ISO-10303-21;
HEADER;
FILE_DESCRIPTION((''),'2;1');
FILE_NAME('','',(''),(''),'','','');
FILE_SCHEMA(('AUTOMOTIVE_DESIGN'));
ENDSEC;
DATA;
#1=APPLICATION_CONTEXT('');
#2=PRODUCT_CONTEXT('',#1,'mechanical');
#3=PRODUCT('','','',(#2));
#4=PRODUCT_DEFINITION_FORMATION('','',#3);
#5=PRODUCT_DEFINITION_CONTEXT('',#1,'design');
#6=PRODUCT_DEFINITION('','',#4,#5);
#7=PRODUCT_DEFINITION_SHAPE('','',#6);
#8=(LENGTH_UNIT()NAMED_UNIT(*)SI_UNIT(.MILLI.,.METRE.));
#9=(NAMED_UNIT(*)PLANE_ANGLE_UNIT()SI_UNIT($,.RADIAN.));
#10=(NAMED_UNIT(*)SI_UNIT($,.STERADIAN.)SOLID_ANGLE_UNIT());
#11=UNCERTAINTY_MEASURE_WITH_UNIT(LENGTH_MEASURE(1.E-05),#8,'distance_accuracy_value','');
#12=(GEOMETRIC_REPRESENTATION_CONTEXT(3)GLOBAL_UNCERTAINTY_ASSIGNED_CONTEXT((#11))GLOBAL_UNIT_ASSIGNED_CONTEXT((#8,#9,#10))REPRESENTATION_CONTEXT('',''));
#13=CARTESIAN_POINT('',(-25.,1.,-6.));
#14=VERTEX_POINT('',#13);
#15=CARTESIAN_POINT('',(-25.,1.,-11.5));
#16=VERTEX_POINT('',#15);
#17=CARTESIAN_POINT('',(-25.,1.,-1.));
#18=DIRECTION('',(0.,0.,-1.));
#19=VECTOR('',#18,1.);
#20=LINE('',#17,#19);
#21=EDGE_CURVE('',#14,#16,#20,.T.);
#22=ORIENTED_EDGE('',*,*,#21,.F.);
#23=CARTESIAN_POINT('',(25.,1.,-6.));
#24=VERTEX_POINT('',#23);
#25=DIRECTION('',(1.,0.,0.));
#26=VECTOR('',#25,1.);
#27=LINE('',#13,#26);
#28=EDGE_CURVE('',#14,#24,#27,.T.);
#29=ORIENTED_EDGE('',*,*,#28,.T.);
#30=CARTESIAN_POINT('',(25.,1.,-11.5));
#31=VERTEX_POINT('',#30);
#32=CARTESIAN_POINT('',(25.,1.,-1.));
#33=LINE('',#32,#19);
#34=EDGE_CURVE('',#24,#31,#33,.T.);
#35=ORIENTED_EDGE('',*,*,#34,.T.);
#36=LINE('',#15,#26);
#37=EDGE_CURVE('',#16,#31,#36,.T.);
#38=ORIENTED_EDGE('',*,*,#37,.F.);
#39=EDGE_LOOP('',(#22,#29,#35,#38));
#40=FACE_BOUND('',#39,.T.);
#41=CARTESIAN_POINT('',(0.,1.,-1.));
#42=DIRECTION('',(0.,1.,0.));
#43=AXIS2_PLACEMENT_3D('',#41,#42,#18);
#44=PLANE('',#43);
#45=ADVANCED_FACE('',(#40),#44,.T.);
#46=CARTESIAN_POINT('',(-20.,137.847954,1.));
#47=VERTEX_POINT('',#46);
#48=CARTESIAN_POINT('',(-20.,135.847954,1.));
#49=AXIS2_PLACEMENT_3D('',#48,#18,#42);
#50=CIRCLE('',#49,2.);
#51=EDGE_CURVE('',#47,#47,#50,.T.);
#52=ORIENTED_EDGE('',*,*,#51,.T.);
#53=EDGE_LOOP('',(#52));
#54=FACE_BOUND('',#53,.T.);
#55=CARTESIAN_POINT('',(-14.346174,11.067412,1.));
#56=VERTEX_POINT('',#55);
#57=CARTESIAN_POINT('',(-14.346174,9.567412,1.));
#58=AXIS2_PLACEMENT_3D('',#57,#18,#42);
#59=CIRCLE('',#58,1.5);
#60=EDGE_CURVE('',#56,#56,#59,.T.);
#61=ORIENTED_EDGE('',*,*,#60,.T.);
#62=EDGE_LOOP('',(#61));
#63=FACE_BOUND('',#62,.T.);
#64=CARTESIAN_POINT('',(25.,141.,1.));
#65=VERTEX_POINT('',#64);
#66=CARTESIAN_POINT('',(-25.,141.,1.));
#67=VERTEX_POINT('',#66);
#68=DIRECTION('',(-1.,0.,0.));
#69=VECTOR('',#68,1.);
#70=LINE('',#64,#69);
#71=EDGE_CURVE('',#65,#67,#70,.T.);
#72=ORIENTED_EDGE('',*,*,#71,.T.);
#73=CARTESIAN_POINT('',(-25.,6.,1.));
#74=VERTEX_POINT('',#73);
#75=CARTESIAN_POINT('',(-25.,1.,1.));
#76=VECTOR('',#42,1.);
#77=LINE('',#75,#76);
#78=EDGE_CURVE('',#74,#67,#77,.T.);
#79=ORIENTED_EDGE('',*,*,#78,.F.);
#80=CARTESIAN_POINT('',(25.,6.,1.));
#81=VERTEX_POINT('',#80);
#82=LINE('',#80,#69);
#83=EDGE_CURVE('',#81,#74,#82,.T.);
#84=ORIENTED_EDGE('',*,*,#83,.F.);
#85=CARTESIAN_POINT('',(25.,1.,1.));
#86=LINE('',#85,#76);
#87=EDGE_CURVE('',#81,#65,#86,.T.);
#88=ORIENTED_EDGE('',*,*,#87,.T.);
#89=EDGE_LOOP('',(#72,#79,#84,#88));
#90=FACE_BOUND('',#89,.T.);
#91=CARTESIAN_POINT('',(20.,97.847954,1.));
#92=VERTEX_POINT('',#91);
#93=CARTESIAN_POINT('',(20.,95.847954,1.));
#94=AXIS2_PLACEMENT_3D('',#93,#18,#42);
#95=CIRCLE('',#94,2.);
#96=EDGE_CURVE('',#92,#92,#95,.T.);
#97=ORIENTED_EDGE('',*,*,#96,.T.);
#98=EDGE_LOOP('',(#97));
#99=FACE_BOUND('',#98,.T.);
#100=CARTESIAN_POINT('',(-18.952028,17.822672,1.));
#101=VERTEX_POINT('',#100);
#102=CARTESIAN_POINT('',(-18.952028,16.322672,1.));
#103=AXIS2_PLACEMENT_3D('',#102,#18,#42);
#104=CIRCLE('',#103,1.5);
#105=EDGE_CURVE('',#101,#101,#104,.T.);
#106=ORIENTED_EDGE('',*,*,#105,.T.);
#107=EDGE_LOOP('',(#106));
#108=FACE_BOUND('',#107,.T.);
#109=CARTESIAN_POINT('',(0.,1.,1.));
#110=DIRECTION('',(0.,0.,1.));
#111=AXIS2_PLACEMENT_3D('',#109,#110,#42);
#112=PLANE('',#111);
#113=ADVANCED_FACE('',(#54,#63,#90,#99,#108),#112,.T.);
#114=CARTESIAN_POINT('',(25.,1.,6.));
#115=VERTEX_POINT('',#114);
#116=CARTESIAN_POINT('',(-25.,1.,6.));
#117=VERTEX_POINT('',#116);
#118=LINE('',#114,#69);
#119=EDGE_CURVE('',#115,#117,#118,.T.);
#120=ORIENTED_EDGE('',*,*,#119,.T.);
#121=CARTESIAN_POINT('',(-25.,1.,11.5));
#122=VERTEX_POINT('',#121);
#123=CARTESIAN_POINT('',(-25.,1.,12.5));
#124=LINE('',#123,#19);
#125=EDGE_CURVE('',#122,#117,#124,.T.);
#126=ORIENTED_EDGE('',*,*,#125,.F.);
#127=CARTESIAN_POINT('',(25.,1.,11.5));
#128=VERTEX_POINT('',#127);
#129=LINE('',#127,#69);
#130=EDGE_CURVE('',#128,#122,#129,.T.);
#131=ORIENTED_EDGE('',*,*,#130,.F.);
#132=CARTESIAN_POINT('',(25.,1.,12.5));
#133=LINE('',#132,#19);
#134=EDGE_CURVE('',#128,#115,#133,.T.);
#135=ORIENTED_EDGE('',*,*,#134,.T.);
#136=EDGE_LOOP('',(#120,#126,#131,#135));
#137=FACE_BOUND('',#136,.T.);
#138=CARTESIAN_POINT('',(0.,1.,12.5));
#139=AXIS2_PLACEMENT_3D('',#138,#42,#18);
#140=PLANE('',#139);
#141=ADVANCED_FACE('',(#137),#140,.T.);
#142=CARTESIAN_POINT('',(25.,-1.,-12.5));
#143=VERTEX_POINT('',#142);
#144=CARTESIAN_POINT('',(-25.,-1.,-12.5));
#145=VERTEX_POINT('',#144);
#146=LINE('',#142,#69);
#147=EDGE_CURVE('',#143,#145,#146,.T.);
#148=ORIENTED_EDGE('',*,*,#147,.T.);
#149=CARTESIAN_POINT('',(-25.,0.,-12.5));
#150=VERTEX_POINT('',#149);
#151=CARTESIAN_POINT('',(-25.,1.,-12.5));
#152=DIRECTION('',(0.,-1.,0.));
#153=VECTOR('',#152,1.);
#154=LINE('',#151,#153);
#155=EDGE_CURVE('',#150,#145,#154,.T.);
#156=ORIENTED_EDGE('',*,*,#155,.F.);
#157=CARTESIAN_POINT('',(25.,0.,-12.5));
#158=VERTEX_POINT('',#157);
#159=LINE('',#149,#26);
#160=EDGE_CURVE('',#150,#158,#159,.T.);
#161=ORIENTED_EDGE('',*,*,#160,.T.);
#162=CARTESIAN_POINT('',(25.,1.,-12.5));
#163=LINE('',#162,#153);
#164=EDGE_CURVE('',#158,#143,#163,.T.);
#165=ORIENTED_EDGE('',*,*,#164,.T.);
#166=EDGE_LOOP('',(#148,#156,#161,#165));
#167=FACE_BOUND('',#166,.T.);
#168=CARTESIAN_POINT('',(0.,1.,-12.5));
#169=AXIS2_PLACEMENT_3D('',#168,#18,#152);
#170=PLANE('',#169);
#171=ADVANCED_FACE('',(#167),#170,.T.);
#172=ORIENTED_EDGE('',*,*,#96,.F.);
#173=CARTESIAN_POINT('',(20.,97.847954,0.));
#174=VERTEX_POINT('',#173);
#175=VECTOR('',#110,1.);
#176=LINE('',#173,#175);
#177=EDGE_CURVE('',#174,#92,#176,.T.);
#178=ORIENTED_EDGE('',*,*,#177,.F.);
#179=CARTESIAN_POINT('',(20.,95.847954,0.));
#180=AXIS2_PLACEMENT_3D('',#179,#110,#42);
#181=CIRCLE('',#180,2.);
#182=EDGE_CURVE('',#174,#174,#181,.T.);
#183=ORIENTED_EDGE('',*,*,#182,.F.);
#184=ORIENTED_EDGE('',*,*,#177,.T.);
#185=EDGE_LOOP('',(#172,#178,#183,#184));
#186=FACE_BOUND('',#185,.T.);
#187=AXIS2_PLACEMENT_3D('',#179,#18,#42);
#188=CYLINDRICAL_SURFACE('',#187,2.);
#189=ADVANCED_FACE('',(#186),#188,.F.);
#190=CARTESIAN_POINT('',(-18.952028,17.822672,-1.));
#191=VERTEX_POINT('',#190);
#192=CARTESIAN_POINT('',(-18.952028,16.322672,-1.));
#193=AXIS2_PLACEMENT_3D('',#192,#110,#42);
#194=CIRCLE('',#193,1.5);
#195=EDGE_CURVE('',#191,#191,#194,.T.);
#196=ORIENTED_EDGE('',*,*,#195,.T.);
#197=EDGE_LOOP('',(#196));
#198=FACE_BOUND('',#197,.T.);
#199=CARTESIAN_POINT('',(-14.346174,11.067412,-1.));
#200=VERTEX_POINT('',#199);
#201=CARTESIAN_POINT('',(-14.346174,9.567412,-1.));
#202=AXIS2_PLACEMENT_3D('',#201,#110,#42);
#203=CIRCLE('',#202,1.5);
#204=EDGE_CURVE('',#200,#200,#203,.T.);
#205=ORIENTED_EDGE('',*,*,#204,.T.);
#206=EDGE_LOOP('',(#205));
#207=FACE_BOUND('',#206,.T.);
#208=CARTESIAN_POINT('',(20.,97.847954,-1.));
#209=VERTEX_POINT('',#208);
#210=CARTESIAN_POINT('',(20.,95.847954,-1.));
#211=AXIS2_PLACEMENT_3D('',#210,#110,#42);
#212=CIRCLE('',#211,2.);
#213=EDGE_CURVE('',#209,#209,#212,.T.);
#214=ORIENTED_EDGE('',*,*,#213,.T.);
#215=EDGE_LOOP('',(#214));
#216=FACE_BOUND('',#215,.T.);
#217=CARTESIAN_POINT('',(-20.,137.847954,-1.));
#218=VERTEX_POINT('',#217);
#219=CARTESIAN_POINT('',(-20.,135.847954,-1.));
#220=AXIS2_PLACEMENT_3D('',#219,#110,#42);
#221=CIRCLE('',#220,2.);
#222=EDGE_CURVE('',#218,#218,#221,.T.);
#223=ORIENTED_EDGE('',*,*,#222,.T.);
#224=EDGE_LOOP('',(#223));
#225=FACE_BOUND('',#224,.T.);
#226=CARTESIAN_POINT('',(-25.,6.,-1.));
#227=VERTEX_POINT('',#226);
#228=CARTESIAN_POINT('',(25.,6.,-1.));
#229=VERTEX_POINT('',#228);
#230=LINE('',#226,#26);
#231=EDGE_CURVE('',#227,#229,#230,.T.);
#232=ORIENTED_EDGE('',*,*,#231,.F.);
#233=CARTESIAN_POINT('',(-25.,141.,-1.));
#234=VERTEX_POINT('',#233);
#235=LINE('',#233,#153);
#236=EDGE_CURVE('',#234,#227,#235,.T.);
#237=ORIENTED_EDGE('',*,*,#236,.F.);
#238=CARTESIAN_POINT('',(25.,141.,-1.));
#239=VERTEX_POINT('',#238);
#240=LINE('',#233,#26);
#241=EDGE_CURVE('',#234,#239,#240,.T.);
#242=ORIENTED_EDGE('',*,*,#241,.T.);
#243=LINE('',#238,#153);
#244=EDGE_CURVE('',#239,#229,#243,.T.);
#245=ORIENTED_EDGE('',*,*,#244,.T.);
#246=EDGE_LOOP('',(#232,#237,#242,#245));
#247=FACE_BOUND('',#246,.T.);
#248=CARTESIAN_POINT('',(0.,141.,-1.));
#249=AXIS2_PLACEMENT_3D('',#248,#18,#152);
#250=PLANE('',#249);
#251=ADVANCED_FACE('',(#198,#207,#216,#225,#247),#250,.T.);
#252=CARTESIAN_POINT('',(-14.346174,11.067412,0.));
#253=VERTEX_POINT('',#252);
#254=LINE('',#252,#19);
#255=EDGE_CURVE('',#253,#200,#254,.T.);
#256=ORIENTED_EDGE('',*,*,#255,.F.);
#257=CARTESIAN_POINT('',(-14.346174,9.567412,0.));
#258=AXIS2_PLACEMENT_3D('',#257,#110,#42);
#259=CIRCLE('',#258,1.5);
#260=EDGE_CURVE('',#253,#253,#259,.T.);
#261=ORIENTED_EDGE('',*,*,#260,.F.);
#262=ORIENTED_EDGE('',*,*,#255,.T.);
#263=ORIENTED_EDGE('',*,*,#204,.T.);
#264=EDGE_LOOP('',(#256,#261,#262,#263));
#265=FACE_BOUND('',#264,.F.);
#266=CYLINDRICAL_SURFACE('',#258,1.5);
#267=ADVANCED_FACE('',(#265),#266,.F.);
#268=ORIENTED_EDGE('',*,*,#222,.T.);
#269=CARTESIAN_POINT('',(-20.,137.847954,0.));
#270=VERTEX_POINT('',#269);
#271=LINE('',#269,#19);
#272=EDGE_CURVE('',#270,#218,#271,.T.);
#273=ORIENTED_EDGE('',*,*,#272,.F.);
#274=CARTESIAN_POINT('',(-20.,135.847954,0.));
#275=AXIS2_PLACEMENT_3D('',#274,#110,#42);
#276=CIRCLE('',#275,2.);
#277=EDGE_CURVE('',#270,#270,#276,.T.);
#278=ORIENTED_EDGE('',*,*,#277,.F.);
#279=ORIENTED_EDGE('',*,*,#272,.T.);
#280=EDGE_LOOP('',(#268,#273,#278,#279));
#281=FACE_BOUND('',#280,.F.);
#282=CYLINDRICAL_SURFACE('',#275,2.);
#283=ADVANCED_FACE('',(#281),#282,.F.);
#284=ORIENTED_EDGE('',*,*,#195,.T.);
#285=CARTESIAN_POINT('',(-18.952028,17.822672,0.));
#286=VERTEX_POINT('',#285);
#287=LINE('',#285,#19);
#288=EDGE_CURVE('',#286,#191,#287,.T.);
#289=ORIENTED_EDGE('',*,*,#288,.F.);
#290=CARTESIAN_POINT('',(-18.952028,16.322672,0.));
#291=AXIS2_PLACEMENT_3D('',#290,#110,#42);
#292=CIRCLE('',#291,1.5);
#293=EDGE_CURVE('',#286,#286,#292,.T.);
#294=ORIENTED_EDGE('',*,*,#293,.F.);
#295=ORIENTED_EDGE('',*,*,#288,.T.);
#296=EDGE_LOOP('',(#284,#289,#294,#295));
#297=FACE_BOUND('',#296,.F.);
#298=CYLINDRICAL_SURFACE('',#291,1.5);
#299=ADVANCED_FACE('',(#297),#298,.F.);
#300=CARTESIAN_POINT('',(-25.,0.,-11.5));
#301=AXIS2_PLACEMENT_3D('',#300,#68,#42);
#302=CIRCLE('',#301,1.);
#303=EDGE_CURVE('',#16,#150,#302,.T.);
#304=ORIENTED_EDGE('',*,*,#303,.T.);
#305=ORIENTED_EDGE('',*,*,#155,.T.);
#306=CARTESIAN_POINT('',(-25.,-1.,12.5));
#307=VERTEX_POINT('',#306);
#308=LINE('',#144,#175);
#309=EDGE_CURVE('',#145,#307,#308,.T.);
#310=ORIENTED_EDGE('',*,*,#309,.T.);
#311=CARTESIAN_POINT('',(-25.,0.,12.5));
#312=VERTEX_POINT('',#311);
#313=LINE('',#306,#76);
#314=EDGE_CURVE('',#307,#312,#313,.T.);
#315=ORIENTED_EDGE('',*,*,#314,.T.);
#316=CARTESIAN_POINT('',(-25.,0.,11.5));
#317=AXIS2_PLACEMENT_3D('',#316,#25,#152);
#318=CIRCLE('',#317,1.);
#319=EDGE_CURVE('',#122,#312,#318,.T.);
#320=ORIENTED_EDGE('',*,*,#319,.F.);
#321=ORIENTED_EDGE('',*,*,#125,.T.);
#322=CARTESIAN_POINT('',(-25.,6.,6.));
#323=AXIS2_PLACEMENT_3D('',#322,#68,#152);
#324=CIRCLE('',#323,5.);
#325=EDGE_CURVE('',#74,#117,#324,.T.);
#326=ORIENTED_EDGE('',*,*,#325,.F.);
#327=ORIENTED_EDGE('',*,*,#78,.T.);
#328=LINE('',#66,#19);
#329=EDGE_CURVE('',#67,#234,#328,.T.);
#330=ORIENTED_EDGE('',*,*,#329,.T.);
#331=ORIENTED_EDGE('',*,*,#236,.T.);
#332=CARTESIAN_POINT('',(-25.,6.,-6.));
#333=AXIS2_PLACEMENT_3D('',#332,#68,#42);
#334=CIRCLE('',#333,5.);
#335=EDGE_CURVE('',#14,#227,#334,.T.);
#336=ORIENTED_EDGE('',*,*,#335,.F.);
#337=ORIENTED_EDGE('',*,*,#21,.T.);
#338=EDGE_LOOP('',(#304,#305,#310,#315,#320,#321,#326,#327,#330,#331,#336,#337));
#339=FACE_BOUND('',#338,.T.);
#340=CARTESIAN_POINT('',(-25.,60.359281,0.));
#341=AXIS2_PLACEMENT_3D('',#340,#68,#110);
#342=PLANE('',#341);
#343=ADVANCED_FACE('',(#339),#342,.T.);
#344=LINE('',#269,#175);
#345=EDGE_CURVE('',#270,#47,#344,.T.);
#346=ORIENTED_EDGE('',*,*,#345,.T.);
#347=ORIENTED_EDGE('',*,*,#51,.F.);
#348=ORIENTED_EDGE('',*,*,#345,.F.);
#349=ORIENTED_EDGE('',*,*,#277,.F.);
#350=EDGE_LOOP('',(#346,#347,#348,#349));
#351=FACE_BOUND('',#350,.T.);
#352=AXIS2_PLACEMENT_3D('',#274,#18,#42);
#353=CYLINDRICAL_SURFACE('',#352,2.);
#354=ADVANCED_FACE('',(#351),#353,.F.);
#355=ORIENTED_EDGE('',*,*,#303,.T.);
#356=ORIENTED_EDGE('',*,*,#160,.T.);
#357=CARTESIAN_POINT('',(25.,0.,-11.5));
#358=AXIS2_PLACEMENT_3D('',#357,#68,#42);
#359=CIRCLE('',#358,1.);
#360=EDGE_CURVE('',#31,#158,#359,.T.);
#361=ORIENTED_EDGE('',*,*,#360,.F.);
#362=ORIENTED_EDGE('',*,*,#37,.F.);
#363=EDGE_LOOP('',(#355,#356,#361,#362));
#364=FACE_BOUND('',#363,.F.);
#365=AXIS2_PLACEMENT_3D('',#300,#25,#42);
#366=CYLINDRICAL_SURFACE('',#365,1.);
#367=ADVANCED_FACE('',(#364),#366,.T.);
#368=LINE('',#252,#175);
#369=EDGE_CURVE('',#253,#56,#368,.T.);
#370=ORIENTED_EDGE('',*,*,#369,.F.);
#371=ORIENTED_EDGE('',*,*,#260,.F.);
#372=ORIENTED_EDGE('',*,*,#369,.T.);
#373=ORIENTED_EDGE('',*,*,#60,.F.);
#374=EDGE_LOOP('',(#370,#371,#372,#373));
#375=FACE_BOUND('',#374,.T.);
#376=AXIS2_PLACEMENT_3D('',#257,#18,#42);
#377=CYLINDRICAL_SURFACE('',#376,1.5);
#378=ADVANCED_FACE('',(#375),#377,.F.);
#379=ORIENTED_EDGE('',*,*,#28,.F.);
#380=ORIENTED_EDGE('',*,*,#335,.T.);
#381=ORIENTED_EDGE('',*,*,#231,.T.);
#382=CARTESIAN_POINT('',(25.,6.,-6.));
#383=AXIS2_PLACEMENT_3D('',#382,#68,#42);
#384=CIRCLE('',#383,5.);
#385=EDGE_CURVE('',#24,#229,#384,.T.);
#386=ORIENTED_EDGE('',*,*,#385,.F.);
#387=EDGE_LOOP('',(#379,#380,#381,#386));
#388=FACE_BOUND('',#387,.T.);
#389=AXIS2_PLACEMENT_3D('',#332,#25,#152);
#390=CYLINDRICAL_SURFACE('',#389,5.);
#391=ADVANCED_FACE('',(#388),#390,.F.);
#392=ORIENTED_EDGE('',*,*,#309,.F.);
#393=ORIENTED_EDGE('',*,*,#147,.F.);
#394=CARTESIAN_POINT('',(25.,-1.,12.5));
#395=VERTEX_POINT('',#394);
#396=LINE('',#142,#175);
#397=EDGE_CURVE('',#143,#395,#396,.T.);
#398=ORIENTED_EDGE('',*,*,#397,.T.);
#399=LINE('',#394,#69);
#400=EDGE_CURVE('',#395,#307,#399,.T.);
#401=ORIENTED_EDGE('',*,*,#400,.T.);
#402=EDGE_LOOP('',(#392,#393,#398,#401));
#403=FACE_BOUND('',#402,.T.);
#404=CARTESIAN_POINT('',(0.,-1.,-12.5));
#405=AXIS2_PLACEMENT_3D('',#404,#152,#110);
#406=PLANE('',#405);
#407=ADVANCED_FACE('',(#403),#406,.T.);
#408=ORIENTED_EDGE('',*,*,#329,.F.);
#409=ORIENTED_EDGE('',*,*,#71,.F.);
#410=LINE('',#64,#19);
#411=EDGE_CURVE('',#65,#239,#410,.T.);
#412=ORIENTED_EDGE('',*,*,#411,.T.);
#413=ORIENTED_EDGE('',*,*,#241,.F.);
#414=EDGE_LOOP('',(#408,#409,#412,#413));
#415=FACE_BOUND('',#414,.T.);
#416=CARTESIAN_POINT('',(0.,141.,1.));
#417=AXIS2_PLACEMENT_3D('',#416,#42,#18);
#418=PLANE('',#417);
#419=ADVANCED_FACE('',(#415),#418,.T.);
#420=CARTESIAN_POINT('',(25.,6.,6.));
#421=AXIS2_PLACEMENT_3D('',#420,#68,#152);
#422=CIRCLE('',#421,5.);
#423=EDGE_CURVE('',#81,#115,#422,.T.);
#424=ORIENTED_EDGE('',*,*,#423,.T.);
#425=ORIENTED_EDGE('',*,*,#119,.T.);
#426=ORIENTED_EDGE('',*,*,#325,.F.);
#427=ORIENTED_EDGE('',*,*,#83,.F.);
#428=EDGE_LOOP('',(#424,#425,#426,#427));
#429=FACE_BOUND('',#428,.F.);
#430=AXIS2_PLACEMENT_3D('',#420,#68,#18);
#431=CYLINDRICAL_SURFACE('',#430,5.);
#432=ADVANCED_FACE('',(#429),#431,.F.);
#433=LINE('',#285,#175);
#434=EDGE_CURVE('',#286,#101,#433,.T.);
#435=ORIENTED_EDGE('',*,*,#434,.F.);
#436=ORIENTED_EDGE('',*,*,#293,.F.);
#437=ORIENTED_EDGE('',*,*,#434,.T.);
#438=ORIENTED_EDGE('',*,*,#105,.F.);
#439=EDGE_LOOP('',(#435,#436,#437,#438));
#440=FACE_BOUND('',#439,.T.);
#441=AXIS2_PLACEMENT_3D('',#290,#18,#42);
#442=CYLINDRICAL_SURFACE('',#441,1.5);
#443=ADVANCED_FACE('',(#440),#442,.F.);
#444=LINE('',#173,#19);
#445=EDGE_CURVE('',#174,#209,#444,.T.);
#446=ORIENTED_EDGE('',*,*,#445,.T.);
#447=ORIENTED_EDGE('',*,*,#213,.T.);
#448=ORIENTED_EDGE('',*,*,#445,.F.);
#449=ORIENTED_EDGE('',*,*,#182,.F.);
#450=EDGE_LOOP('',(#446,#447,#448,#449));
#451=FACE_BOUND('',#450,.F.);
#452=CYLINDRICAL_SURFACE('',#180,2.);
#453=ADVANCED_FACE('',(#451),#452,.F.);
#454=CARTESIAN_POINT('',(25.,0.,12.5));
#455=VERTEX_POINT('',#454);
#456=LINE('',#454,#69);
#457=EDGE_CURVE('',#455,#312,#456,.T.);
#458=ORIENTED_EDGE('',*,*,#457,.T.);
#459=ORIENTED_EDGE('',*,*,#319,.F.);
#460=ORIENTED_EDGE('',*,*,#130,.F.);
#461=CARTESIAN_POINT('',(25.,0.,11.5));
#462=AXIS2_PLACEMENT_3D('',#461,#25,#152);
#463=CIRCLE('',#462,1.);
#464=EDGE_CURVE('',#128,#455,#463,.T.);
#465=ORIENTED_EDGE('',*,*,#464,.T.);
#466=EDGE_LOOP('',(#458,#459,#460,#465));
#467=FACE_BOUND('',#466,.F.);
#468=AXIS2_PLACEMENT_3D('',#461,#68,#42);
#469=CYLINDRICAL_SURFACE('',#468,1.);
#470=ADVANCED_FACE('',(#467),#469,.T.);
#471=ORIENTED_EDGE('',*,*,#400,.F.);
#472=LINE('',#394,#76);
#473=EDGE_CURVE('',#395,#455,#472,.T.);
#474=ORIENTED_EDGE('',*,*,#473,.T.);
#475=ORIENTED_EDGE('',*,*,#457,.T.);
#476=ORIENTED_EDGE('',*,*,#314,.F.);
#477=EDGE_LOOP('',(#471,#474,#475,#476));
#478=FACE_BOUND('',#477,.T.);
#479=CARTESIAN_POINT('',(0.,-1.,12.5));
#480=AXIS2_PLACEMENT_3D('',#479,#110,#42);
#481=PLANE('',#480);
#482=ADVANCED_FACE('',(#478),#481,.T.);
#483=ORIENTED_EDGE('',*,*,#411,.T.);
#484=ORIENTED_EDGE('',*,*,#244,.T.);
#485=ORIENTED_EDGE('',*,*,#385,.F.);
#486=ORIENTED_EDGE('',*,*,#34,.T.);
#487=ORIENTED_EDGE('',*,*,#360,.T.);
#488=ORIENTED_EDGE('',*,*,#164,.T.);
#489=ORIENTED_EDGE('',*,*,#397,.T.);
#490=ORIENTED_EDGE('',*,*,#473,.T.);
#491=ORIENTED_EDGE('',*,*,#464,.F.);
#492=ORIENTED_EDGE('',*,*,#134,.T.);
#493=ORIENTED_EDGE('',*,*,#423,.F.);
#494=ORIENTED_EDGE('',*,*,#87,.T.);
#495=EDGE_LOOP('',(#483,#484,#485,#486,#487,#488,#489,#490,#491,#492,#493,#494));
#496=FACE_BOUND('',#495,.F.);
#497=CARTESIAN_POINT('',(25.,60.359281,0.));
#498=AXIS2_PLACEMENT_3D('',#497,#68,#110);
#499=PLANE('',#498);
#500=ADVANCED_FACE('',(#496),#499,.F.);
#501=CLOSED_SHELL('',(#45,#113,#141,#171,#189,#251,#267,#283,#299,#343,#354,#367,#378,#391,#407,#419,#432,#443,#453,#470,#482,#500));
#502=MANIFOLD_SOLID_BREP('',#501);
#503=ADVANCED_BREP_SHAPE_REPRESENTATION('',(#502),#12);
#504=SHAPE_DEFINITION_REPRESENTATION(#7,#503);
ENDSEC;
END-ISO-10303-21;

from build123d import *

# Parameters (mm, degrees)
PAD_DEPTH            = 25
FILLET_R             = 5
SKETCH001_R          = 2
SKETCH001_R_2        = 1.5
POCKET_DEPTH         = 12.501
POCKET_DEPTH_BACK    = -12.501
FILLET001_R          = 1
BODY_PLACEMENT_ANGLE = 270


with BuildPart() as part:
    # Sketch → Pad (new body, symmetric)
    with BuildSketch(Plane.XY):
        Polygon((-12.5, 1), (-12.5, -1), (12.5, -1), (12.5, 1), (1, 1), (1, 141), (-1, 141), (-1, 1), align=None)
    extrude(amount=PAD_DEPTH, both=True)

    # Fillet
    fillet_edges = [part.edges().sort_by_distance(p)[0] for p in [
        (-1, 1, 0),
        (1, 1, 0),
    ]]
    fillet(fillet_edges, radius=FILLET_R)

    # Sketch001 → Pocket (cut, two sides)
    with BuildSketch(Plane.YZ) as pocket_sk:
        with Locations((135.847954, 20)):
            Circle(SKETCH001_R)
        with Locations((95.847954, -20)):
            Circle(SKETCH001_R)
        with Locations((9.567412, 14.346174)):
            Circle(SKETCH001_R_2)
        with Locations((16.322672, 18.952028)):
            Circle(SKETCH001_R_2)
    extrude(amount=-POCKET_DEPTH, mode=Mode.SUBTRACT)
    extrude(pocket_sk.sketch, amount=-POCKET_DEPTH_BACK, mode=Mode.SUBTRACT)

    # Fillet001
    fillet001_edges = [part.edges().sort_by_distance(p)[0] for p in [
        (-12.5, 1, 0),
        (12.5, 1, 0),
    ]]
    fillet(fillet001_edges, radius=FILLET001_R)


with BuildPart() as part_1:
    # Body placement: moved
    add(part.part.rotate(Axis((0, 0, 0), (0, 1, 0)), BODY_PLACEMENT_ANGLE))


solid = part_1.part
